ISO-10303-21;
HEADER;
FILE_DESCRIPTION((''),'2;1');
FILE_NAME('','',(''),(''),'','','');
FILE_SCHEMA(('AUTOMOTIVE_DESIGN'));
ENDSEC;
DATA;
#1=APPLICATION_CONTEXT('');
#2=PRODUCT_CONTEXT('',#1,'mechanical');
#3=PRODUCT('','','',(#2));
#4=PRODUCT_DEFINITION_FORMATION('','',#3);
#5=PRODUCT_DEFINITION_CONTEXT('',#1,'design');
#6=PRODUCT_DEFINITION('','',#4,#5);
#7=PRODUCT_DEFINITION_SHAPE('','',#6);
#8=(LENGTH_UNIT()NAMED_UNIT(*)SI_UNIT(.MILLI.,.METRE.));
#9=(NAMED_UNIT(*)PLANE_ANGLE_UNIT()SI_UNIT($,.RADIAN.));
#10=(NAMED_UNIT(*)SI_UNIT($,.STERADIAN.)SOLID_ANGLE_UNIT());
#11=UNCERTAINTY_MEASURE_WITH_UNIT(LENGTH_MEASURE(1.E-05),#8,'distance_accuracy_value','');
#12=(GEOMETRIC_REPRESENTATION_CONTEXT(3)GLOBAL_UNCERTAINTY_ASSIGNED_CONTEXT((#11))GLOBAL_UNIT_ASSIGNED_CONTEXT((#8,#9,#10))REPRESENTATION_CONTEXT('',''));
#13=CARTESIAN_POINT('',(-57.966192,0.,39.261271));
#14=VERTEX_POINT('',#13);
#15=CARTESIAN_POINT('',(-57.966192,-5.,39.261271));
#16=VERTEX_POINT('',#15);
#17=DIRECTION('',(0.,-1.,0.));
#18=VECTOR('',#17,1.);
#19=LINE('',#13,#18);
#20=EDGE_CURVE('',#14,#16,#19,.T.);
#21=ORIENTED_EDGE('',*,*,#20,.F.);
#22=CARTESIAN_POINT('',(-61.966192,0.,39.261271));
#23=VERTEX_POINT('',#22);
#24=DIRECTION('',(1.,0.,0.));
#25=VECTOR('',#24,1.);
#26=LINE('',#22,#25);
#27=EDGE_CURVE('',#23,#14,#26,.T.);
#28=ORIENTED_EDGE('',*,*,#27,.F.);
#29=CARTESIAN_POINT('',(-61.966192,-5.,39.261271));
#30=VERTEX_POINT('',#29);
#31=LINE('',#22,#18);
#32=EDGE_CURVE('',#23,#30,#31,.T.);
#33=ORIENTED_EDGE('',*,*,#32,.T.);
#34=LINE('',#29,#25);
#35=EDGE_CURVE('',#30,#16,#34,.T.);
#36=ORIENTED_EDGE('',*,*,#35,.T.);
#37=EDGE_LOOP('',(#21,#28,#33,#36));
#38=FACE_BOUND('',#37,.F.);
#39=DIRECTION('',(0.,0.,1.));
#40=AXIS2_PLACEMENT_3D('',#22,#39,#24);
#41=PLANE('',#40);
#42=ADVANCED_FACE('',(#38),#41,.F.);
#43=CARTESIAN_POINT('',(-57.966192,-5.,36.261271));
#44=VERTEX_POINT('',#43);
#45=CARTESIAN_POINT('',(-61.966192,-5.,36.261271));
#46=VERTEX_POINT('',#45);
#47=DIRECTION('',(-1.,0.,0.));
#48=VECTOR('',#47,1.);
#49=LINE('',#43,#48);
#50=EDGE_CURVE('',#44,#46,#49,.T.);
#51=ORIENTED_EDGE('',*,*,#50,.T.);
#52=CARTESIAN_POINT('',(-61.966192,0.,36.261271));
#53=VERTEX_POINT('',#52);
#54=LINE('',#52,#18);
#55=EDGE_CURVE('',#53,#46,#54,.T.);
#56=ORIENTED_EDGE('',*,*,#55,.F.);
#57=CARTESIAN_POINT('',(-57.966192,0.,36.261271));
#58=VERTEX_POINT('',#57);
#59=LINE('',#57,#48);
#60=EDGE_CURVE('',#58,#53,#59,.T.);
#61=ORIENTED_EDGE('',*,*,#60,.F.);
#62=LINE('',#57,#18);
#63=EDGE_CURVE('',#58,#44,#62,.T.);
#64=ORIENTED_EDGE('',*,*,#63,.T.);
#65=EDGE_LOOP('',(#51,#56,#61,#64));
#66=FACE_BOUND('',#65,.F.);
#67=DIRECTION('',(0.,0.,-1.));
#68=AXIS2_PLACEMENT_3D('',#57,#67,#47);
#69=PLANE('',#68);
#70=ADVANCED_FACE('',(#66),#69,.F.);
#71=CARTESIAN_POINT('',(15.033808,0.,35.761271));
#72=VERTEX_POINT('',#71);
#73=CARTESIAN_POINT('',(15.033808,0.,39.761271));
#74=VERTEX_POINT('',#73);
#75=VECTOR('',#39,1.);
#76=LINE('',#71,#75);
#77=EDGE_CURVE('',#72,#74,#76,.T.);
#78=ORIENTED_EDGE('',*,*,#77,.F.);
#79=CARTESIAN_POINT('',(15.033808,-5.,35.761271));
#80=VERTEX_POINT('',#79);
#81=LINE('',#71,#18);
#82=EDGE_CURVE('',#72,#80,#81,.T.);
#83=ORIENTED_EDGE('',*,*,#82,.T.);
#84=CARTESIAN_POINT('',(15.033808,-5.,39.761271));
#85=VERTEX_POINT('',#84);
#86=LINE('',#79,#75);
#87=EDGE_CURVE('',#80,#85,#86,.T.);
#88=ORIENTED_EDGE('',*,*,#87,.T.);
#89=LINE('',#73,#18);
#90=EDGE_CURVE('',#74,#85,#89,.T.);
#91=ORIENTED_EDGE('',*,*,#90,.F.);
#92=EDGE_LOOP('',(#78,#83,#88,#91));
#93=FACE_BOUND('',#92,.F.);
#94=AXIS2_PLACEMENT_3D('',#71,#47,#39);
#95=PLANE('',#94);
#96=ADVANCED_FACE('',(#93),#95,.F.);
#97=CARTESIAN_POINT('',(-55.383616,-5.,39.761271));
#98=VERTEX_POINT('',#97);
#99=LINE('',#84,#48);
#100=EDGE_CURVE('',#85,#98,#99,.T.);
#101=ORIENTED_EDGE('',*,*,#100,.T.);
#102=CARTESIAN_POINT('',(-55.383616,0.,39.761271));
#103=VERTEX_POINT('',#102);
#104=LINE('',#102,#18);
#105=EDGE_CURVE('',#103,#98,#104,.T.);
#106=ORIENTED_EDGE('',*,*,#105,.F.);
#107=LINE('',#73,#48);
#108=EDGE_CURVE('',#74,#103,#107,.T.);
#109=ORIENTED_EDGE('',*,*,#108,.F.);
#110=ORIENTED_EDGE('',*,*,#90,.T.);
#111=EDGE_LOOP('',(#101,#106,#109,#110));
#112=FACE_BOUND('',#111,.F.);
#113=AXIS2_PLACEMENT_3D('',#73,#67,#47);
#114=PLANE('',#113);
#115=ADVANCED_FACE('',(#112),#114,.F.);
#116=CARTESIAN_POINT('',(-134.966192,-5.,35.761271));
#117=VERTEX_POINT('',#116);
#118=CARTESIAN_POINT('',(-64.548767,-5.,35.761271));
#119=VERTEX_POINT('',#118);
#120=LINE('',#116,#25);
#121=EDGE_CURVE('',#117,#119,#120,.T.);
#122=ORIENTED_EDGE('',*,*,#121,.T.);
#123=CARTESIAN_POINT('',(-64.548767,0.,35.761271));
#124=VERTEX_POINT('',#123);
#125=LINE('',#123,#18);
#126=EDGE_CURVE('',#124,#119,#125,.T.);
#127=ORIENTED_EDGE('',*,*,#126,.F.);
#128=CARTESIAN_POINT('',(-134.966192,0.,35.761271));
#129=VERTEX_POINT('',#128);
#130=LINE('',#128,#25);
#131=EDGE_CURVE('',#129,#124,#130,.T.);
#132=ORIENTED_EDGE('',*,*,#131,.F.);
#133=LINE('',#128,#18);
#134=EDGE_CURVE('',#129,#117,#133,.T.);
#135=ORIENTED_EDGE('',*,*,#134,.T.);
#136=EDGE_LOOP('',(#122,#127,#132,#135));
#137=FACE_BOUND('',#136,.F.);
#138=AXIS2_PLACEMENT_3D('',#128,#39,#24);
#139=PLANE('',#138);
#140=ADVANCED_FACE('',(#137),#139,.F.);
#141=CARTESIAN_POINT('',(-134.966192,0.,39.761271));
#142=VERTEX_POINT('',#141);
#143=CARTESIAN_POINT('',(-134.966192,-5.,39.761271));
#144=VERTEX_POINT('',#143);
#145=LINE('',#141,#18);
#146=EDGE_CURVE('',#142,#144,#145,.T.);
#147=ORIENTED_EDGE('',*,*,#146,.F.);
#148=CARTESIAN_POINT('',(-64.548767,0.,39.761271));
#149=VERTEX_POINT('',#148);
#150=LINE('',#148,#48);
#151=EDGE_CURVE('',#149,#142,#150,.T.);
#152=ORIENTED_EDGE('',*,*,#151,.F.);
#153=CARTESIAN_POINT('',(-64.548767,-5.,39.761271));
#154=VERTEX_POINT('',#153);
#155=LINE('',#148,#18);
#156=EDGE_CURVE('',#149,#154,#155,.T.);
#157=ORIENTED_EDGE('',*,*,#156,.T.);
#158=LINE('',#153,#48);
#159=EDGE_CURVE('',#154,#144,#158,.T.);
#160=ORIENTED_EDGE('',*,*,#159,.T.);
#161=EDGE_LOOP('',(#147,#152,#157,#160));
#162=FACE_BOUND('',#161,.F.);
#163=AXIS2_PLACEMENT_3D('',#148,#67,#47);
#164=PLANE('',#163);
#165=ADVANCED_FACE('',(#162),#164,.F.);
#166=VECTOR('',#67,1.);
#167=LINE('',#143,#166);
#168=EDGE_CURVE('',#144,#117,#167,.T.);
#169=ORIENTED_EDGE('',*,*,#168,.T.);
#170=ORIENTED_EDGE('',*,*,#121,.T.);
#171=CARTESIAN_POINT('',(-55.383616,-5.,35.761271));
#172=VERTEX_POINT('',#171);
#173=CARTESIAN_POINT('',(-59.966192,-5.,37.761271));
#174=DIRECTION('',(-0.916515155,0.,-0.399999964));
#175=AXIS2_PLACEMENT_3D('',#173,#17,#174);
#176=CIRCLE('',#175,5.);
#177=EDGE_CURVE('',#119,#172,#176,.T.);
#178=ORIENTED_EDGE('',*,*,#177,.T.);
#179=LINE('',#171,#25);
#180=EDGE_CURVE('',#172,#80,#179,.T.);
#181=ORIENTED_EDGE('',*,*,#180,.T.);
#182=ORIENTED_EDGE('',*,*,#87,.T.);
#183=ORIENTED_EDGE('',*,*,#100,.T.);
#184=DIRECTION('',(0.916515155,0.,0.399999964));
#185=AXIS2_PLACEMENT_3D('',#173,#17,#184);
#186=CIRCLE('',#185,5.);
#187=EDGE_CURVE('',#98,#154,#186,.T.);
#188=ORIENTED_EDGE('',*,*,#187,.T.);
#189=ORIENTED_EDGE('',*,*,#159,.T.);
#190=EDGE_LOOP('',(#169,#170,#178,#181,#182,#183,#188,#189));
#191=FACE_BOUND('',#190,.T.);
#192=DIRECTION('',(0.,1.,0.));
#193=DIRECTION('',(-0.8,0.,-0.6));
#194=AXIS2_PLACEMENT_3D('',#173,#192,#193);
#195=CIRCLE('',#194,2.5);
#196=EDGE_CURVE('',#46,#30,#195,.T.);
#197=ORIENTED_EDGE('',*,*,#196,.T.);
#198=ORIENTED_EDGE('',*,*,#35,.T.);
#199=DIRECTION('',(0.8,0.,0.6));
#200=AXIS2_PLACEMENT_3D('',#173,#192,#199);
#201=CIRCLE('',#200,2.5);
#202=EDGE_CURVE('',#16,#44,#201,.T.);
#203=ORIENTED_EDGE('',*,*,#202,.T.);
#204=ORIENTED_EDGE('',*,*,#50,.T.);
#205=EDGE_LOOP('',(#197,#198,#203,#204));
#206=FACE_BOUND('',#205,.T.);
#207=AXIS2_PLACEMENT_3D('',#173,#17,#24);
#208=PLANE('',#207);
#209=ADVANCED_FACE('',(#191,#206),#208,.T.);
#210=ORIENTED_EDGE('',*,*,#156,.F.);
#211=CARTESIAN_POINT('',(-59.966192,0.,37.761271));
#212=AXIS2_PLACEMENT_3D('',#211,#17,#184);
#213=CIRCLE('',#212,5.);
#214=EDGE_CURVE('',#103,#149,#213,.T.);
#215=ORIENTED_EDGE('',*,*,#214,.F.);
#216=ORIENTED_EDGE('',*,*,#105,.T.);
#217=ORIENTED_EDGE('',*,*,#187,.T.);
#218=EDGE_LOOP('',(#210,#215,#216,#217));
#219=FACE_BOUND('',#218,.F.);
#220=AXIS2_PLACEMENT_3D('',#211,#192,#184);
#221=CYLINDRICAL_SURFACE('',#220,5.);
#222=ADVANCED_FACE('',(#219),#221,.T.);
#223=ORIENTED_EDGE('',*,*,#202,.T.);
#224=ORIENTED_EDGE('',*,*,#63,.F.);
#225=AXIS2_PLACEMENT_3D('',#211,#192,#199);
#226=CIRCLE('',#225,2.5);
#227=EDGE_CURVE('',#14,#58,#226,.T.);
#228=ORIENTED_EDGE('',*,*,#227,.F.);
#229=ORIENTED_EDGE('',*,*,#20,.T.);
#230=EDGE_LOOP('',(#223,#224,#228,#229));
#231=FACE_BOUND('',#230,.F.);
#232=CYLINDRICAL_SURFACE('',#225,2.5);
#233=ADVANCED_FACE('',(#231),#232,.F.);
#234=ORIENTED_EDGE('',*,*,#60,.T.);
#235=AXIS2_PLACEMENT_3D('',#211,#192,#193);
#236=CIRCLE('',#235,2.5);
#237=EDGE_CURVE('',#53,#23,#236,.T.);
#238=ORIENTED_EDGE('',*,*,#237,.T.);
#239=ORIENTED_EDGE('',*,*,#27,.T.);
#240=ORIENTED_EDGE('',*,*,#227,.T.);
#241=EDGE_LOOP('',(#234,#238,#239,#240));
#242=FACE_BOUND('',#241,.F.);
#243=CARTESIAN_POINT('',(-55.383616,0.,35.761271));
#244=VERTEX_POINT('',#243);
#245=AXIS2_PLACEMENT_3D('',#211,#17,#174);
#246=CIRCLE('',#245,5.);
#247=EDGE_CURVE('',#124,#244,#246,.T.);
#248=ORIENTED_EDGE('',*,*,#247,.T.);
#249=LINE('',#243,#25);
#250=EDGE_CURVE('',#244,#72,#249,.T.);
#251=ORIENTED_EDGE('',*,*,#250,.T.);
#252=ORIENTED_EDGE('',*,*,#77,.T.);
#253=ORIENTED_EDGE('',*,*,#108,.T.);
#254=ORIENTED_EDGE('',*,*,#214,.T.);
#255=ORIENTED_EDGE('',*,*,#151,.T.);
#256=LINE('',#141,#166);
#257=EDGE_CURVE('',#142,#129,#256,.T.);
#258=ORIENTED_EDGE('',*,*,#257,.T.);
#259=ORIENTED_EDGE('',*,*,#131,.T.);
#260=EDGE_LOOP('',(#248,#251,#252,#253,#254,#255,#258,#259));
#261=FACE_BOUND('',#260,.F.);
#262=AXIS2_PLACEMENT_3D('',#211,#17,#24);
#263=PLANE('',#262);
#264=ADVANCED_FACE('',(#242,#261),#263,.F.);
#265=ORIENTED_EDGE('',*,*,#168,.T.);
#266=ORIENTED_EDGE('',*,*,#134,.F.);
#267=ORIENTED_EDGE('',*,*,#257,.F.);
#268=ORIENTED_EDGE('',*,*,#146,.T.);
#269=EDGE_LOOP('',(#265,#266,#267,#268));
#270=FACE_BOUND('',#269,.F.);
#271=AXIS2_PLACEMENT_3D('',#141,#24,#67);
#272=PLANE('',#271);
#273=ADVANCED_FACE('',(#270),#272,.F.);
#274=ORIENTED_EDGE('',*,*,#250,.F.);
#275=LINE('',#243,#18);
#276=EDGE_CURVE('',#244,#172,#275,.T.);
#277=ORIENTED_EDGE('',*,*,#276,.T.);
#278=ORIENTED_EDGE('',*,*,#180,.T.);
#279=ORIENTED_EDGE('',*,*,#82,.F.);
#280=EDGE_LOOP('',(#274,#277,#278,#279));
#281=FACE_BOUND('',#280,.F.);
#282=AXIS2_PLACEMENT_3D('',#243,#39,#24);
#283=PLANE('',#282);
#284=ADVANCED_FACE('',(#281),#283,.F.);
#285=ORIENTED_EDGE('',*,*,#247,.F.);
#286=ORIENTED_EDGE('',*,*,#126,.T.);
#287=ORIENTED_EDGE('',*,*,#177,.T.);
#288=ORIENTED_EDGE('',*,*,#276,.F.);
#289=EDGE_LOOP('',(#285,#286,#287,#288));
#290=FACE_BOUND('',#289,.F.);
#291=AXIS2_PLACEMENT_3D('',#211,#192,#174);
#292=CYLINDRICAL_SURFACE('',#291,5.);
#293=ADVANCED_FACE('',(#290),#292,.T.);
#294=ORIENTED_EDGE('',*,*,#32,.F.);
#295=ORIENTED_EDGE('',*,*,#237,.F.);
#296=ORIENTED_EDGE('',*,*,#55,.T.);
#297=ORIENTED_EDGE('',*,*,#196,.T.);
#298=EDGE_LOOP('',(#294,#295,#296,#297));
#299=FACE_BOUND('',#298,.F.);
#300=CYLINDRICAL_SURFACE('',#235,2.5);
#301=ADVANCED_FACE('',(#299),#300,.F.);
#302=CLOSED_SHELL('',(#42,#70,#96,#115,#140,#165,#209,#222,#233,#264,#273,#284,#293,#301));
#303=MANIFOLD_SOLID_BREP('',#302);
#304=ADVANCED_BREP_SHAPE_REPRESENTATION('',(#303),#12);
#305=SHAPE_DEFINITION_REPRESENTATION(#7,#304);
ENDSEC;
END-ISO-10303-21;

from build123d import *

# Parameters (mm, degrees)
F1_DEPTH = 5


with BuildPart() as f1:
    # F0 (on Front) → F1 (new body)
    with BuildSketch(Plane.XZ):
        with BuildLine():
            Line((-55.383616, 35.761271), (15.033808, 35.761271))
            Line((15.033808, 35.761271), (15.033808, 39.761271))
            Line((15.033808, 39.761271), (-55.383616, 39.761271))
            ThreePointArc((-55.383616, 39.761271), (-59.966192, 42.761271), (-64.548767, 39.761271))
            Line((-64.548767, 39.761271), (-134.966192, 39.761271))
            Line((-134.966192, 39.761271), (-134.966192, 35.761271))
            Line((-134.966192, 35.761271), (-64.548767, 35.761271))
            ThreePointArc((-64.548767, 35.761271), (-59.966192, 32.761271), (-55.383616, 35.761271))
        make_face()
        with BuildLine():
            ThreePointArc((-61.966192, 36.261271), (-62.466192, 37.761271), (-61.966192, 39.261271))
            Line((-61.966192, 39.261271), (-57.966192, 39.261271))
            ThreePointArc((-57.966192, 39.261271), (-57.466192, 37.761271), (-57.966192, 36.261271))
            Line((-57.966192, 36.261271), (-61.966192, 36.261271))
        make_face(mode=Mode.SUBTRACT)
    extrude(amount=F1_DEPTH)


solid = f1.part
